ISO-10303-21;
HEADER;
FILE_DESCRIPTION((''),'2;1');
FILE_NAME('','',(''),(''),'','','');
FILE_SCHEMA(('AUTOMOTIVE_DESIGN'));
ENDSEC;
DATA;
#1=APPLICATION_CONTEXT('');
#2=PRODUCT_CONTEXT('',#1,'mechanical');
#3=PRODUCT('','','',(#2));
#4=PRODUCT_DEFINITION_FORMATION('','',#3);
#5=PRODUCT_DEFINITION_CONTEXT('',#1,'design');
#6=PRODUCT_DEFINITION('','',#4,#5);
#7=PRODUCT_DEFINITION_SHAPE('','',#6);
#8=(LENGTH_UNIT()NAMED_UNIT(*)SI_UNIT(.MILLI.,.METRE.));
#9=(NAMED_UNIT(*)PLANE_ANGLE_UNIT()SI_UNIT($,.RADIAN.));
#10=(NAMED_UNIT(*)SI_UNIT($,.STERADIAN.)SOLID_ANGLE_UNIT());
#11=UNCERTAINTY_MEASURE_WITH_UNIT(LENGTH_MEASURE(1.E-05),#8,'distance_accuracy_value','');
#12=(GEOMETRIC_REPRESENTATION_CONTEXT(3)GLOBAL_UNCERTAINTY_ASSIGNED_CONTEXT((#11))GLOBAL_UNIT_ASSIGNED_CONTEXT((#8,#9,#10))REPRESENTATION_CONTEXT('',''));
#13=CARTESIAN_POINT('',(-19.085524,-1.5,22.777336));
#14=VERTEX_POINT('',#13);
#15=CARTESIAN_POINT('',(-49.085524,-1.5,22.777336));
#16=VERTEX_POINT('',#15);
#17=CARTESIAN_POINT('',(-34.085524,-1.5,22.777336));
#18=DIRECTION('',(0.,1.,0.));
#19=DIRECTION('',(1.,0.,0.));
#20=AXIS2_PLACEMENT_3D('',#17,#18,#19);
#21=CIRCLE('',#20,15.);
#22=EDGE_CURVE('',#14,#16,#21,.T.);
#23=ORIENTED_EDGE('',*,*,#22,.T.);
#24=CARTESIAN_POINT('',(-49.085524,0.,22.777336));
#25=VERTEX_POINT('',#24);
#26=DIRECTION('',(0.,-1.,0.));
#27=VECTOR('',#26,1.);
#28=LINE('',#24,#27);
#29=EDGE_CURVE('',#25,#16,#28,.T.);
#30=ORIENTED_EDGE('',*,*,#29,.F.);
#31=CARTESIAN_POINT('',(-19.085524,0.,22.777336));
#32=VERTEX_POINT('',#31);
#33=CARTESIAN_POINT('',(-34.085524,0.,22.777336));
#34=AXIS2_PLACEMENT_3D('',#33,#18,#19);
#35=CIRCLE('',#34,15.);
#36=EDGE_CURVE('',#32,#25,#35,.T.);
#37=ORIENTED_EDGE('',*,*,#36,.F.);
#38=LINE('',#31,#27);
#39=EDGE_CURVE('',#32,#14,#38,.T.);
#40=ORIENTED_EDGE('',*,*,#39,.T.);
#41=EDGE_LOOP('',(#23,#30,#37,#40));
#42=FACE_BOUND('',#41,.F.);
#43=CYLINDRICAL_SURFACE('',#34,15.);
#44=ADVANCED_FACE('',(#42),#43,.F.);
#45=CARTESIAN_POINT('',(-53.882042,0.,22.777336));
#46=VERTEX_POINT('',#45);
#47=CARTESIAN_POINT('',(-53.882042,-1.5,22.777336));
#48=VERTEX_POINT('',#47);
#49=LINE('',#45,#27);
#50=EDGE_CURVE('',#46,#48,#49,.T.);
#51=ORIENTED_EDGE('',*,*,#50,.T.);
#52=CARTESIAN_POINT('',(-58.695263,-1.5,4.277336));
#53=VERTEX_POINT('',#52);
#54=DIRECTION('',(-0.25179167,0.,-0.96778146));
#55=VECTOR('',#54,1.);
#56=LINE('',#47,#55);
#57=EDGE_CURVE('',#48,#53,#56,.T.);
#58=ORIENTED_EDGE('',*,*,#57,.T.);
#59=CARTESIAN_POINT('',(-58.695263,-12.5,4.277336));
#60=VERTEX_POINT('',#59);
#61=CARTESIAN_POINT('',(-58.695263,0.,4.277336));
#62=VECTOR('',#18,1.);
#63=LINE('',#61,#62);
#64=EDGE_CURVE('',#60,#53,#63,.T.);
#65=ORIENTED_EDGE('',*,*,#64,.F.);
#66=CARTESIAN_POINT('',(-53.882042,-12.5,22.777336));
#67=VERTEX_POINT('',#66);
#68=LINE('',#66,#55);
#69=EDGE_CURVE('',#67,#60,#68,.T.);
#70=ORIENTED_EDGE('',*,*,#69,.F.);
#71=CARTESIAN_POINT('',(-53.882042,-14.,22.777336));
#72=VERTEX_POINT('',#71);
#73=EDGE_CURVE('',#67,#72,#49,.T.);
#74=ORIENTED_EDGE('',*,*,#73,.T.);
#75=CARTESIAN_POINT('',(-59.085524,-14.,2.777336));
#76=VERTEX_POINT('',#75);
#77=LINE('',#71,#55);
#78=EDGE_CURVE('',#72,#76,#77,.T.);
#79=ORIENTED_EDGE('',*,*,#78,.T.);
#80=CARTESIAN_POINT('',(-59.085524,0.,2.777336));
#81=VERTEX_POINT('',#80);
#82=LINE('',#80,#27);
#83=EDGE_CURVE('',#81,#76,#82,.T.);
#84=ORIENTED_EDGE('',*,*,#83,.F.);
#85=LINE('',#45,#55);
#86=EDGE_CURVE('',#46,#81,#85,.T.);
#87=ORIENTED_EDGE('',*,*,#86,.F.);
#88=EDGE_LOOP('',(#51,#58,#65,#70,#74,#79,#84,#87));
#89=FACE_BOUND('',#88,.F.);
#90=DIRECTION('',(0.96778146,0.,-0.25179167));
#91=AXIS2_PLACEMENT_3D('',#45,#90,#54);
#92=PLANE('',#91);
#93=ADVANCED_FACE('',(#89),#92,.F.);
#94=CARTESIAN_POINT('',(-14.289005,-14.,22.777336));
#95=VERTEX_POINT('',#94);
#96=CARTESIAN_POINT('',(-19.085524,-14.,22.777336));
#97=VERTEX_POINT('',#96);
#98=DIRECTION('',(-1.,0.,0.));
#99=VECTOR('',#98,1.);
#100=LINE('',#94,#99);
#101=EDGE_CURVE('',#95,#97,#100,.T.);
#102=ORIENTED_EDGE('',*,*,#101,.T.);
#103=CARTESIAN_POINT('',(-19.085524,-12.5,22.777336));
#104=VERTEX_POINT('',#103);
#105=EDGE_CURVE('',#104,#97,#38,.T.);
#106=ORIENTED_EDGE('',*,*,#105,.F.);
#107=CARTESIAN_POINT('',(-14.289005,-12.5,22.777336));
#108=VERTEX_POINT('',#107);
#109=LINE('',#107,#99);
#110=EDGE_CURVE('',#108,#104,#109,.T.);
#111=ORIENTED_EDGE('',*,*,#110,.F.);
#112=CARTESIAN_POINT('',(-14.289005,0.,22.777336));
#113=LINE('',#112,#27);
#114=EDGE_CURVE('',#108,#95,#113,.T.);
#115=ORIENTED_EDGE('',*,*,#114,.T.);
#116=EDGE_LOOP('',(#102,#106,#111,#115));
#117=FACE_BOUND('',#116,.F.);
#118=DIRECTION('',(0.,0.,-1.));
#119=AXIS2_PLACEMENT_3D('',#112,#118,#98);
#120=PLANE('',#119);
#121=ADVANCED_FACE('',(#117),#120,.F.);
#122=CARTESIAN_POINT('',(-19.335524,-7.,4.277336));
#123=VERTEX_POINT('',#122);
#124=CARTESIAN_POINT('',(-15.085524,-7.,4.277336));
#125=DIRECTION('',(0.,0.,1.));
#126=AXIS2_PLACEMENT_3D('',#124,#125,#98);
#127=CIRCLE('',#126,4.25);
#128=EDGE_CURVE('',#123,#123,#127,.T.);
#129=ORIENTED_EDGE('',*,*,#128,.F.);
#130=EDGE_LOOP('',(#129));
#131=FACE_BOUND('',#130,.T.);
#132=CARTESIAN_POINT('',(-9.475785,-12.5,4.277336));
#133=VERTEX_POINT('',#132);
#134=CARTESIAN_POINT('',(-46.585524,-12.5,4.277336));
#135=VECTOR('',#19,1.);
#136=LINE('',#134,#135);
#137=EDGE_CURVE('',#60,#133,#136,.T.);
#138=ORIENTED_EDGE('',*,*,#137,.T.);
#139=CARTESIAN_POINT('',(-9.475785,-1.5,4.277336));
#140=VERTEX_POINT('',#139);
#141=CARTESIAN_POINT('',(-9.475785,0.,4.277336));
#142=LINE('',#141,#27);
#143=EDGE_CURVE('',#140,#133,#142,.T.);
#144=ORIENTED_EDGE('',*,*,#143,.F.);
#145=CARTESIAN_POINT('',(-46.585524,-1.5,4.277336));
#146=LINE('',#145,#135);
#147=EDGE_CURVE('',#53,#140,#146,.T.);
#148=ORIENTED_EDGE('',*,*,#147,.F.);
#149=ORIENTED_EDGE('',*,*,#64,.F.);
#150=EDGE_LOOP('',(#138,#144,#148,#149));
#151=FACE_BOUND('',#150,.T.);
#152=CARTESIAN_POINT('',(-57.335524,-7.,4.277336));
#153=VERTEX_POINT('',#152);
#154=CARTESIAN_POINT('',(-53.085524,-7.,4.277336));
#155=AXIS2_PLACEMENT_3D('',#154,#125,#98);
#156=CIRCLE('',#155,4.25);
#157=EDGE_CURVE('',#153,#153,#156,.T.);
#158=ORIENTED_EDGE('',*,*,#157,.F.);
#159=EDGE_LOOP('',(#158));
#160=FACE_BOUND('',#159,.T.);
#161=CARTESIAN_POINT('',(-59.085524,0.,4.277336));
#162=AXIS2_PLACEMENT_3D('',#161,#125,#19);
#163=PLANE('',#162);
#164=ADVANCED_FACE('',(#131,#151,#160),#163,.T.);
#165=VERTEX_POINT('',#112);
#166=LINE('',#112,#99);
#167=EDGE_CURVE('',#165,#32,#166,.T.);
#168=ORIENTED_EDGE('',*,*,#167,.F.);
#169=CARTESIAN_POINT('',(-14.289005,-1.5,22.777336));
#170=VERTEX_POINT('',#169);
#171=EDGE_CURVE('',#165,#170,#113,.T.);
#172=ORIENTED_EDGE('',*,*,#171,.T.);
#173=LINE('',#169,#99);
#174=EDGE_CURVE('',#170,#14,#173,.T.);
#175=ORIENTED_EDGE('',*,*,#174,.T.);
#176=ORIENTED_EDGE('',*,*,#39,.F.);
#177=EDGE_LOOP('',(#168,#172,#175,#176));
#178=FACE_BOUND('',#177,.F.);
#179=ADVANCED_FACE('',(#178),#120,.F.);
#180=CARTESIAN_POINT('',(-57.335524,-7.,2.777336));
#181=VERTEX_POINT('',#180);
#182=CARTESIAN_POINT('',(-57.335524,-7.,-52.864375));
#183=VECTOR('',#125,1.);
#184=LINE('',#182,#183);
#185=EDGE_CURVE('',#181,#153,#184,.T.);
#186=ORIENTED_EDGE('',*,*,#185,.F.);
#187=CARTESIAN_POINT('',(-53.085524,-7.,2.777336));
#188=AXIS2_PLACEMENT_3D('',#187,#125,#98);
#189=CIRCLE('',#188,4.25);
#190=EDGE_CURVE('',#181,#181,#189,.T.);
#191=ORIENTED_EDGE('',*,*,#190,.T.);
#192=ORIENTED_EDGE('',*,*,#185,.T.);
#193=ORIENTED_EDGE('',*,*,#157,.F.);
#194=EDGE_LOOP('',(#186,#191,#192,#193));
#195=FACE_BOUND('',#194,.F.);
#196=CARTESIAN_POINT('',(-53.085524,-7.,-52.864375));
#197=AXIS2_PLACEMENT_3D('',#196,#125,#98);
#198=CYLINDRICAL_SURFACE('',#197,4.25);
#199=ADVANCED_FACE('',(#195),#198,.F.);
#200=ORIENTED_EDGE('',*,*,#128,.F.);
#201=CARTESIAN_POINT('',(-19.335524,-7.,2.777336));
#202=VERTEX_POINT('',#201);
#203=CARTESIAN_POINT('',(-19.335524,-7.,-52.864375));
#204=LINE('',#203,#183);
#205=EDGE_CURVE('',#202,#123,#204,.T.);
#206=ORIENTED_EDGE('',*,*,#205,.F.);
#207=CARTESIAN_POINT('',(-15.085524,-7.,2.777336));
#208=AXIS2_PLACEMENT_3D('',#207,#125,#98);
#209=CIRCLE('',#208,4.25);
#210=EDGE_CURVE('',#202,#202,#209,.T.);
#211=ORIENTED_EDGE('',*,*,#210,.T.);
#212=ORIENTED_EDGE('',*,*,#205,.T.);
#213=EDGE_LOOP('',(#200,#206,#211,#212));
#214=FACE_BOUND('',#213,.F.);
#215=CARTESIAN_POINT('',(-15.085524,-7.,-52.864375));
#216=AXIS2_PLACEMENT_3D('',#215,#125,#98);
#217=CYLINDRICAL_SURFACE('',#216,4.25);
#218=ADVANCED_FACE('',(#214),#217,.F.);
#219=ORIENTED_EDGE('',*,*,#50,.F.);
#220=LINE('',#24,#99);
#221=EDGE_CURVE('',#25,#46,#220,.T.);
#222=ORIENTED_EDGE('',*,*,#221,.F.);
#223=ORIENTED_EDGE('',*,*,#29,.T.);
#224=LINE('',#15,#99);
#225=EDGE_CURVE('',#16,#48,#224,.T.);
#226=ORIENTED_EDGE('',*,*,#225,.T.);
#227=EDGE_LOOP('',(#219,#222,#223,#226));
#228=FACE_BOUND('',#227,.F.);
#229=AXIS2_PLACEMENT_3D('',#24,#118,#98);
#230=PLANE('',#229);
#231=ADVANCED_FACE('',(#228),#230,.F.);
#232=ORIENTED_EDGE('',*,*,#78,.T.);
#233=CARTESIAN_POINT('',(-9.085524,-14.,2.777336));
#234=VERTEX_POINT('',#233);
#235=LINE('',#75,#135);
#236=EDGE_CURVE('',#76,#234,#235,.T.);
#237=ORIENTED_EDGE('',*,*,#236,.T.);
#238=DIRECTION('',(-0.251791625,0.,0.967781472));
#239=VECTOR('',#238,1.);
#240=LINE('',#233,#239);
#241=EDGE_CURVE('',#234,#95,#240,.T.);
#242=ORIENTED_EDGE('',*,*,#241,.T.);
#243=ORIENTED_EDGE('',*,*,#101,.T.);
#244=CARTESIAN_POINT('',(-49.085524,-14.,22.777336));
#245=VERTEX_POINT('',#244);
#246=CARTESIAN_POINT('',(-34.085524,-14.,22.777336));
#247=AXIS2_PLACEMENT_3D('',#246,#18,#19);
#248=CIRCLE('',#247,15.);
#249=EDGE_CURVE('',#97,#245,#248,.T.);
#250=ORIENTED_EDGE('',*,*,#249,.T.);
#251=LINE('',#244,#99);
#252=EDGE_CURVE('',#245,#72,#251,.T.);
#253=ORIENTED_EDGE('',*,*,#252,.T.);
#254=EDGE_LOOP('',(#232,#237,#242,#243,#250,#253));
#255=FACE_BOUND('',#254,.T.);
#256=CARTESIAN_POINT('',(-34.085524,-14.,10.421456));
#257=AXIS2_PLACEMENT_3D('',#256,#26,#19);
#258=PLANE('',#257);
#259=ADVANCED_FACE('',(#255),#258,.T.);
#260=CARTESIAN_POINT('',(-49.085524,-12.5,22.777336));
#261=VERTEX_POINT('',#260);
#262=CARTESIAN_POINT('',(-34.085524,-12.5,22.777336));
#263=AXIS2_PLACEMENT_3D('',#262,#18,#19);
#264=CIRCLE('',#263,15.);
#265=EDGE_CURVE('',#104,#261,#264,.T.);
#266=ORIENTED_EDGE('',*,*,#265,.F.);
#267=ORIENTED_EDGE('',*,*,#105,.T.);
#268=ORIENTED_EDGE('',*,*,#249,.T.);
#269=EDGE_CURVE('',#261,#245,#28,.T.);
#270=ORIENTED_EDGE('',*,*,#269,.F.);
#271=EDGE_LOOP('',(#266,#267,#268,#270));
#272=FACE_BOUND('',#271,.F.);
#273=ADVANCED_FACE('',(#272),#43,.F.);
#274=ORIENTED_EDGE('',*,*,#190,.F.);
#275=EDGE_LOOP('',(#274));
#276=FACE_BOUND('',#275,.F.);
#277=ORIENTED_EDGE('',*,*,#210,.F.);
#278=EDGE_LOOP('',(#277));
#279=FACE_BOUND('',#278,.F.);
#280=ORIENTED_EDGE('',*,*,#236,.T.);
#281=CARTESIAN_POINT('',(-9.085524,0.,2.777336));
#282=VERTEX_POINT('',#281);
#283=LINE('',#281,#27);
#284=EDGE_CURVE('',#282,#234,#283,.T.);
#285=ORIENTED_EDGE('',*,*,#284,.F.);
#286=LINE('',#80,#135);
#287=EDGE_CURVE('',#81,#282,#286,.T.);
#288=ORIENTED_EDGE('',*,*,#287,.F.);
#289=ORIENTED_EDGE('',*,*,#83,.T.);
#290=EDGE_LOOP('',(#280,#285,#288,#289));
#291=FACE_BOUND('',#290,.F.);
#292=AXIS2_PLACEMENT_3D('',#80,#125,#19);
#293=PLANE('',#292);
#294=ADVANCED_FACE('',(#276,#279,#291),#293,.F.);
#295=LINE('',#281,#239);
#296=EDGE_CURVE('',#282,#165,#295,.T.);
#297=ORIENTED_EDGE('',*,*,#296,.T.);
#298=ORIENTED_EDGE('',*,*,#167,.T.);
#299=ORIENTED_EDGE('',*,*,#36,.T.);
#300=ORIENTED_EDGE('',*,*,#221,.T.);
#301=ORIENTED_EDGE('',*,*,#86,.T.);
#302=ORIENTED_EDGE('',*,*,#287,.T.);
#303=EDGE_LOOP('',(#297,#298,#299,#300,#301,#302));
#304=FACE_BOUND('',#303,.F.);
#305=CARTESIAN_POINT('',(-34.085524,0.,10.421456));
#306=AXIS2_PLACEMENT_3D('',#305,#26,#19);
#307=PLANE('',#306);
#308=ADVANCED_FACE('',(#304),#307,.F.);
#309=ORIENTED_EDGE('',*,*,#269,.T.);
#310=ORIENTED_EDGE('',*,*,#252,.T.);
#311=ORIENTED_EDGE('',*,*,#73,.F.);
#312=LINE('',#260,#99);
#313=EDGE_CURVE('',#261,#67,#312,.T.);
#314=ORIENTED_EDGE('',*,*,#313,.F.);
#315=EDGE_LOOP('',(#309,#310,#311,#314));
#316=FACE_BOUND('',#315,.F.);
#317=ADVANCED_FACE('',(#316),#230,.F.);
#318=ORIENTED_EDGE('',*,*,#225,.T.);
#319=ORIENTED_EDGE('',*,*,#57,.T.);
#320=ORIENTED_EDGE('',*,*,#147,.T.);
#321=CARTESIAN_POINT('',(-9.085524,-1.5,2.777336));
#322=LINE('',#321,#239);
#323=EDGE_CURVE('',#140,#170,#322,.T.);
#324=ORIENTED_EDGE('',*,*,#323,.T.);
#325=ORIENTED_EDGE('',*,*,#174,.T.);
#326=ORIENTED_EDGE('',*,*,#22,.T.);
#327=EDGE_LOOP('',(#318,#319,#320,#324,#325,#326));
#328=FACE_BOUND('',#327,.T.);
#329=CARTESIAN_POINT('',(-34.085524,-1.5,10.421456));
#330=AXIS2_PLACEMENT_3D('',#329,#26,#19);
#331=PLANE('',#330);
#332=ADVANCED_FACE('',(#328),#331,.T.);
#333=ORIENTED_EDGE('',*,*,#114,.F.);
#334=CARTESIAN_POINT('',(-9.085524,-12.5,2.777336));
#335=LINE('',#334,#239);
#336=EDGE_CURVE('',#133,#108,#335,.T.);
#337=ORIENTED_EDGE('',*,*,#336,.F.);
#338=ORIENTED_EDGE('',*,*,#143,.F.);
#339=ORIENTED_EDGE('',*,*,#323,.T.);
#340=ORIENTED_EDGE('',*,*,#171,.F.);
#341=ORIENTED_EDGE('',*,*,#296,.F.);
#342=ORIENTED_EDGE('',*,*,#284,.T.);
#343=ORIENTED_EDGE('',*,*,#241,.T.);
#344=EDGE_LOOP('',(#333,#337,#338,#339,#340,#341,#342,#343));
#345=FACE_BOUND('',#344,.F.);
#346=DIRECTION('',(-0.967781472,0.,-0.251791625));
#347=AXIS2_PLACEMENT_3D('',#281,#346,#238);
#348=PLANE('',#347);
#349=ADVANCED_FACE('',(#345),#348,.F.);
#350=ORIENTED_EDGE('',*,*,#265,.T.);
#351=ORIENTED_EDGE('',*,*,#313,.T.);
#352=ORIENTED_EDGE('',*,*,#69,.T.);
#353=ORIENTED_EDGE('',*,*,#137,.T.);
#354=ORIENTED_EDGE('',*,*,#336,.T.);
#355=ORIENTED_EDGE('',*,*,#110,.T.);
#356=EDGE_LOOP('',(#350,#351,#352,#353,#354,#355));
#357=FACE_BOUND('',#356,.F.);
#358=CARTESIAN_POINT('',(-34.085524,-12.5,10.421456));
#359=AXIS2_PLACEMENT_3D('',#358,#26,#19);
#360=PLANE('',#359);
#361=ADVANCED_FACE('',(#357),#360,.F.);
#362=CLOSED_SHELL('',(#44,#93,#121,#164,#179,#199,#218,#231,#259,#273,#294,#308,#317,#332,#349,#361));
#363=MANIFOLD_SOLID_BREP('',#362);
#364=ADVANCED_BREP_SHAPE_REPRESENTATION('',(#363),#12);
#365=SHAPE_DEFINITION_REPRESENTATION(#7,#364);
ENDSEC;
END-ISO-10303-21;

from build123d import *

# Parameters (mm, degrees)
F1_DEPTH = 14
F2_T     = -1.5
F4_D     = 8.5
F5_D     = 8.5


with BuildPart() as f1:
    # F0 (on Front) → F1 (new body)
    with BuildSketch(Plane.XZ):
        with BuildLine():
            Line((-53.882042, 22.777336), (-59.085524, 2.777336))
            Line((-59.085524, 2.777336), (-9.085524, 2.777336))
            Line((-9.085524, 2.777336), (-14.289005, 22.777336))
            Line((-14.289005, 22.777336), (-19.085524, 22.777336))
            ThreePointArc((-19.085524, 22.777336), (-34.085524, 7.777336), (-49.085524, 22.777336))
            Line((-49.085524, 22.777336), (-53.882042, 22.777336))
        make_face()
    extrude(amount=F1_DEPTH)

    # F2
    f2_openings = [f1.faces().sort_by_distance(p)[0] for p in [
        (-56.483783, -7, 12.777336),
        (-51.483783, -7, 22.777336),
        (-34.085524, -7, 7.777336),
        (-16.687264, -7, 22.777336),
        (-11.687264, -7, 12.777336),
    ]]
    offset(amount=F2_T, openings=f2_openings)

    # F4 (through all)
    with Locations(Plane(origin=(0, 0, 2.777336), x_dir=(1, 0, 0), z_dir=(0, 0, -1))):
        with Locations((-53.085524, 7)):
            Hole(F4_D / 2)

    # F5 (through all)
    with Locations(Plane(origin=(0, 0, 2.777336), x_dir=(1, 0, 0), z_dir=(0, 0, -1))):
        with Locations((-15.085524, 7)):
            Hole(F5_D / 2)


solid = f1.part
